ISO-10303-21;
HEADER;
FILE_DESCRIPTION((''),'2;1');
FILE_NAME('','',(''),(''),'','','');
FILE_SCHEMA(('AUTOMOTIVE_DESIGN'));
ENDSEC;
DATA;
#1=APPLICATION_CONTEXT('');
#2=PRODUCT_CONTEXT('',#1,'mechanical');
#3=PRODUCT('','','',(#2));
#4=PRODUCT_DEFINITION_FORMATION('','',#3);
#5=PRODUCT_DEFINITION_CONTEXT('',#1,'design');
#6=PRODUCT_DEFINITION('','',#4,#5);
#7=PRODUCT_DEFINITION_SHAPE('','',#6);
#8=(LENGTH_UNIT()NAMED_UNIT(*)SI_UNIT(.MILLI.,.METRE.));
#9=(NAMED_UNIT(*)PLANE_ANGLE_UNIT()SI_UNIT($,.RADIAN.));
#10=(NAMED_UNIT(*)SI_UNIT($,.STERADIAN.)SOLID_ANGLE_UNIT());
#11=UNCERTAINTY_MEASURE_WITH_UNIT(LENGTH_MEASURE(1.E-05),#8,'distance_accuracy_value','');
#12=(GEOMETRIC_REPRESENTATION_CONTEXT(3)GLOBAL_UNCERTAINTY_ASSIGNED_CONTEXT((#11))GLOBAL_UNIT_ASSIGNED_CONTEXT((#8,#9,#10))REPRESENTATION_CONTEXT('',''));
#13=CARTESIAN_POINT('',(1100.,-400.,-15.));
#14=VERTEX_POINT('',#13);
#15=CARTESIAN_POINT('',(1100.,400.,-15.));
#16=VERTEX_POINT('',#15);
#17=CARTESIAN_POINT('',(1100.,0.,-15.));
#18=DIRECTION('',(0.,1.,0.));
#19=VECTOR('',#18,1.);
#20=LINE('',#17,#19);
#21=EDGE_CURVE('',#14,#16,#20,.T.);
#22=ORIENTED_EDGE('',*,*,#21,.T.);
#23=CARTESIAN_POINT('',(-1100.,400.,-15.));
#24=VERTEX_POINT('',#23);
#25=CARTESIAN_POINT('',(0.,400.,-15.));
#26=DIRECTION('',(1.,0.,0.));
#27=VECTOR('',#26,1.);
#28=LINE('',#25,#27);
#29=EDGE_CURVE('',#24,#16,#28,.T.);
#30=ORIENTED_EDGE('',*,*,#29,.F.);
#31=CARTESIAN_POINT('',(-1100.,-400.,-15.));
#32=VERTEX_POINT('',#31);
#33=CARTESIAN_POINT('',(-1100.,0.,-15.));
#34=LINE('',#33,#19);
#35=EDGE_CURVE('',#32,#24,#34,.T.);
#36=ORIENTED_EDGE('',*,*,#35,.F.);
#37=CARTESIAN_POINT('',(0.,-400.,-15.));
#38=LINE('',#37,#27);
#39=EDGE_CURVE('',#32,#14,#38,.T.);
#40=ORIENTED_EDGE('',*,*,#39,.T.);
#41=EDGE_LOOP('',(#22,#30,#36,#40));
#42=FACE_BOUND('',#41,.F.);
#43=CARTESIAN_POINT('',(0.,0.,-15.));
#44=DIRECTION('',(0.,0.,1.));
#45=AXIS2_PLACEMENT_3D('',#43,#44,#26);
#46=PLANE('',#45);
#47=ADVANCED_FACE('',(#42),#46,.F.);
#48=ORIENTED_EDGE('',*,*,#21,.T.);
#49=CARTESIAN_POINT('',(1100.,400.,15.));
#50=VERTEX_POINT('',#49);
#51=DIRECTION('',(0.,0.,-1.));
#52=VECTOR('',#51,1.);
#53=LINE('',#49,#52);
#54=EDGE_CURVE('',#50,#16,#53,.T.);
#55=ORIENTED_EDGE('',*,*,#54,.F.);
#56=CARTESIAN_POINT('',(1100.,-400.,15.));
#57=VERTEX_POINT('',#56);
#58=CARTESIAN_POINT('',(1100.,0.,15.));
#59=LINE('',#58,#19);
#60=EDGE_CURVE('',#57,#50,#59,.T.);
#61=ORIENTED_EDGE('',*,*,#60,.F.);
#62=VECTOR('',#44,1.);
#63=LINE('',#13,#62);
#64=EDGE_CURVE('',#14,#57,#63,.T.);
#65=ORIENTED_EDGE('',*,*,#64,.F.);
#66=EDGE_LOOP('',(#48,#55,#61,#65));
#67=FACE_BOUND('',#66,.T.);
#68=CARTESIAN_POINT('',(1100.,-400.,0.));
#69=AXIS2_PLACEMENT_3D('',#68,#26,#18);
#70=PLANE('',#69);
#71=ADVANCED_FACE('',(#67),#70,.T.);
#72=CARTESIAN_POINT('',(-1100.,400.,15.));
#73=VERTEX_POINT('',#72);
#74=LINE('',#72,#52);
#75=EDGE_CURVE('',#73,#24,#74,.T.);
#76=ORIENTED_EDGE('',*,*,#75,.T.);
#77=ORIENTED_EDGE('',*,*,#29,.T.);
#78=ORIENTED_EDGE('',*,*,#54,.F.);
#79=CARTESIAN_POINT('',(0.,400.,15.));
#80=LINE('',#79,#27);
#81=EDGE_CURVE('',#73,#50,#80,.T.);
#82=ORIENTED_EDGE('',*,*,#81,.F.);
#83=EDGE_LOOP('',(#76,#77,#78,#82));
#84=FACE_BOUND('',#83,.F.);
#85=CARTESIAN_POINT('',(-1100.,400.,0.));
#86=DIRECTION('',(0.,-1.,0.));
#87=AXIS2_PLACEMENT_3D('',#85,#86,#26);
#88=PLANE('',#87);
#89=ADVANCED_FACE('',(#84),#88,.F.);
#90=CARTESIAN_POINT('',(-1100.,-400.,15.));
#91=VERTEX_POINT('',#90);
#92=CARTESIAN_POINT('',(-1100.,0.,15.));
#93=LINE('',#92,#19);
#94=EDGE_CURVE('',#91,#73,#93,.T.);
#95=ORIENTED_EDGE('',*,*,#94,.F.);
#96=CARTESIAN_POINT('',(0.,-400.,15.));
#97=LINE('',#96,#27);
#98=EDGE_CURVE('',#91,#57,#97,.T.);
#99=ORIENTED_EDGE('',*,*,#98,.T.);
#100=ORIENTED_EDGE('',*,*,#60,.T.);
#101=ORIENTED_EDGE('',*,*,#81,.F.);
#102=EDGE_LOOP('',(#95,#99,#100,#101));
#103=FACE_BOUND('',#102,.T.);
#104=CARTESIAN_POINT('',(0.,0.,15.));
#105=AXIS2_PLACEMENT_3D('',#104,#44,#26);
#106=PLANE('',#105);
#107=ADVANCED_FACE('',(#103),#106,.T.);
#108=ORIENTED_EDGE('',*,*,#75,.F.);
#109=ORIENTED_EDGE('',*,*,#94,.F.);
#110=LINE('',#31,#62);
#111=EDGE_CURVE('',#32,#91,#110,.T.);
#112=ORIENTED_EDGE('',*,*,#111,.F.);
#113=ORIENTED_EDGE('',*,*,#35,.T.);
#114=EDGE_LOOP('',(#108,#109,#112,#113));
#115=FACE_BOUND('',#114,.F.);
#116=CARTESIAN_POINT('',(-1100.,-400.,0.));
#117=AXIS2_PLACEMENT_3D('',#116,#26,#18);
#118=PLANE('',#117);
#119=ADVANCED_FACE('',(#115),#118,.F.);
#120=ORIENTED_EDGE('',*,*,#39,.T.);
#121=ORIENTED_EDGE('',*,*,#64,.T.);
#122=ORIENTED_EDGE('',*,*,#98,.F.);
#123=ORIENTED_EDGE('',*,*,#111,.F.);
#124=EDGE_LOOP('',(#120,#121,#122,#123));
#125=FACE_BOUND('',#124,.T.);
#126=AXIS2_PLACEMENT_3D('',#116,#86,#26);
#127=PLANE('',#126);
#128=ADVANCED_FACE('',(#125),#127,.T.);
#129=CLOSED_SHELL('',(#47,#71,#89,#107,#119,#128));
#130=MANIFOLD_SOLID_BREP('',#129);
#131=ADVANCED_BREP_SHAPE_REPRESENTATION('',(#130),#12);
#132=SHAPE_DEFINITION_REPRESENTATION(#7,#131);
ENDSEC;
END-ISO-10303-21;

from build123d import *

# Parameters (mm, degrees)
SKETCH_W  = 2200
SKETCH_H  = 800
PAD_DEPTH = 15


with BuildPart() as part:
    # Sketch → Pad (new body, symmetric)
    with BuildSketch(Plane.XY):
        Rectangle(SKETCH_W, SKETCH_H)
    extrude(amount=PAD_DEPTH, both=True)


solid = part.part
